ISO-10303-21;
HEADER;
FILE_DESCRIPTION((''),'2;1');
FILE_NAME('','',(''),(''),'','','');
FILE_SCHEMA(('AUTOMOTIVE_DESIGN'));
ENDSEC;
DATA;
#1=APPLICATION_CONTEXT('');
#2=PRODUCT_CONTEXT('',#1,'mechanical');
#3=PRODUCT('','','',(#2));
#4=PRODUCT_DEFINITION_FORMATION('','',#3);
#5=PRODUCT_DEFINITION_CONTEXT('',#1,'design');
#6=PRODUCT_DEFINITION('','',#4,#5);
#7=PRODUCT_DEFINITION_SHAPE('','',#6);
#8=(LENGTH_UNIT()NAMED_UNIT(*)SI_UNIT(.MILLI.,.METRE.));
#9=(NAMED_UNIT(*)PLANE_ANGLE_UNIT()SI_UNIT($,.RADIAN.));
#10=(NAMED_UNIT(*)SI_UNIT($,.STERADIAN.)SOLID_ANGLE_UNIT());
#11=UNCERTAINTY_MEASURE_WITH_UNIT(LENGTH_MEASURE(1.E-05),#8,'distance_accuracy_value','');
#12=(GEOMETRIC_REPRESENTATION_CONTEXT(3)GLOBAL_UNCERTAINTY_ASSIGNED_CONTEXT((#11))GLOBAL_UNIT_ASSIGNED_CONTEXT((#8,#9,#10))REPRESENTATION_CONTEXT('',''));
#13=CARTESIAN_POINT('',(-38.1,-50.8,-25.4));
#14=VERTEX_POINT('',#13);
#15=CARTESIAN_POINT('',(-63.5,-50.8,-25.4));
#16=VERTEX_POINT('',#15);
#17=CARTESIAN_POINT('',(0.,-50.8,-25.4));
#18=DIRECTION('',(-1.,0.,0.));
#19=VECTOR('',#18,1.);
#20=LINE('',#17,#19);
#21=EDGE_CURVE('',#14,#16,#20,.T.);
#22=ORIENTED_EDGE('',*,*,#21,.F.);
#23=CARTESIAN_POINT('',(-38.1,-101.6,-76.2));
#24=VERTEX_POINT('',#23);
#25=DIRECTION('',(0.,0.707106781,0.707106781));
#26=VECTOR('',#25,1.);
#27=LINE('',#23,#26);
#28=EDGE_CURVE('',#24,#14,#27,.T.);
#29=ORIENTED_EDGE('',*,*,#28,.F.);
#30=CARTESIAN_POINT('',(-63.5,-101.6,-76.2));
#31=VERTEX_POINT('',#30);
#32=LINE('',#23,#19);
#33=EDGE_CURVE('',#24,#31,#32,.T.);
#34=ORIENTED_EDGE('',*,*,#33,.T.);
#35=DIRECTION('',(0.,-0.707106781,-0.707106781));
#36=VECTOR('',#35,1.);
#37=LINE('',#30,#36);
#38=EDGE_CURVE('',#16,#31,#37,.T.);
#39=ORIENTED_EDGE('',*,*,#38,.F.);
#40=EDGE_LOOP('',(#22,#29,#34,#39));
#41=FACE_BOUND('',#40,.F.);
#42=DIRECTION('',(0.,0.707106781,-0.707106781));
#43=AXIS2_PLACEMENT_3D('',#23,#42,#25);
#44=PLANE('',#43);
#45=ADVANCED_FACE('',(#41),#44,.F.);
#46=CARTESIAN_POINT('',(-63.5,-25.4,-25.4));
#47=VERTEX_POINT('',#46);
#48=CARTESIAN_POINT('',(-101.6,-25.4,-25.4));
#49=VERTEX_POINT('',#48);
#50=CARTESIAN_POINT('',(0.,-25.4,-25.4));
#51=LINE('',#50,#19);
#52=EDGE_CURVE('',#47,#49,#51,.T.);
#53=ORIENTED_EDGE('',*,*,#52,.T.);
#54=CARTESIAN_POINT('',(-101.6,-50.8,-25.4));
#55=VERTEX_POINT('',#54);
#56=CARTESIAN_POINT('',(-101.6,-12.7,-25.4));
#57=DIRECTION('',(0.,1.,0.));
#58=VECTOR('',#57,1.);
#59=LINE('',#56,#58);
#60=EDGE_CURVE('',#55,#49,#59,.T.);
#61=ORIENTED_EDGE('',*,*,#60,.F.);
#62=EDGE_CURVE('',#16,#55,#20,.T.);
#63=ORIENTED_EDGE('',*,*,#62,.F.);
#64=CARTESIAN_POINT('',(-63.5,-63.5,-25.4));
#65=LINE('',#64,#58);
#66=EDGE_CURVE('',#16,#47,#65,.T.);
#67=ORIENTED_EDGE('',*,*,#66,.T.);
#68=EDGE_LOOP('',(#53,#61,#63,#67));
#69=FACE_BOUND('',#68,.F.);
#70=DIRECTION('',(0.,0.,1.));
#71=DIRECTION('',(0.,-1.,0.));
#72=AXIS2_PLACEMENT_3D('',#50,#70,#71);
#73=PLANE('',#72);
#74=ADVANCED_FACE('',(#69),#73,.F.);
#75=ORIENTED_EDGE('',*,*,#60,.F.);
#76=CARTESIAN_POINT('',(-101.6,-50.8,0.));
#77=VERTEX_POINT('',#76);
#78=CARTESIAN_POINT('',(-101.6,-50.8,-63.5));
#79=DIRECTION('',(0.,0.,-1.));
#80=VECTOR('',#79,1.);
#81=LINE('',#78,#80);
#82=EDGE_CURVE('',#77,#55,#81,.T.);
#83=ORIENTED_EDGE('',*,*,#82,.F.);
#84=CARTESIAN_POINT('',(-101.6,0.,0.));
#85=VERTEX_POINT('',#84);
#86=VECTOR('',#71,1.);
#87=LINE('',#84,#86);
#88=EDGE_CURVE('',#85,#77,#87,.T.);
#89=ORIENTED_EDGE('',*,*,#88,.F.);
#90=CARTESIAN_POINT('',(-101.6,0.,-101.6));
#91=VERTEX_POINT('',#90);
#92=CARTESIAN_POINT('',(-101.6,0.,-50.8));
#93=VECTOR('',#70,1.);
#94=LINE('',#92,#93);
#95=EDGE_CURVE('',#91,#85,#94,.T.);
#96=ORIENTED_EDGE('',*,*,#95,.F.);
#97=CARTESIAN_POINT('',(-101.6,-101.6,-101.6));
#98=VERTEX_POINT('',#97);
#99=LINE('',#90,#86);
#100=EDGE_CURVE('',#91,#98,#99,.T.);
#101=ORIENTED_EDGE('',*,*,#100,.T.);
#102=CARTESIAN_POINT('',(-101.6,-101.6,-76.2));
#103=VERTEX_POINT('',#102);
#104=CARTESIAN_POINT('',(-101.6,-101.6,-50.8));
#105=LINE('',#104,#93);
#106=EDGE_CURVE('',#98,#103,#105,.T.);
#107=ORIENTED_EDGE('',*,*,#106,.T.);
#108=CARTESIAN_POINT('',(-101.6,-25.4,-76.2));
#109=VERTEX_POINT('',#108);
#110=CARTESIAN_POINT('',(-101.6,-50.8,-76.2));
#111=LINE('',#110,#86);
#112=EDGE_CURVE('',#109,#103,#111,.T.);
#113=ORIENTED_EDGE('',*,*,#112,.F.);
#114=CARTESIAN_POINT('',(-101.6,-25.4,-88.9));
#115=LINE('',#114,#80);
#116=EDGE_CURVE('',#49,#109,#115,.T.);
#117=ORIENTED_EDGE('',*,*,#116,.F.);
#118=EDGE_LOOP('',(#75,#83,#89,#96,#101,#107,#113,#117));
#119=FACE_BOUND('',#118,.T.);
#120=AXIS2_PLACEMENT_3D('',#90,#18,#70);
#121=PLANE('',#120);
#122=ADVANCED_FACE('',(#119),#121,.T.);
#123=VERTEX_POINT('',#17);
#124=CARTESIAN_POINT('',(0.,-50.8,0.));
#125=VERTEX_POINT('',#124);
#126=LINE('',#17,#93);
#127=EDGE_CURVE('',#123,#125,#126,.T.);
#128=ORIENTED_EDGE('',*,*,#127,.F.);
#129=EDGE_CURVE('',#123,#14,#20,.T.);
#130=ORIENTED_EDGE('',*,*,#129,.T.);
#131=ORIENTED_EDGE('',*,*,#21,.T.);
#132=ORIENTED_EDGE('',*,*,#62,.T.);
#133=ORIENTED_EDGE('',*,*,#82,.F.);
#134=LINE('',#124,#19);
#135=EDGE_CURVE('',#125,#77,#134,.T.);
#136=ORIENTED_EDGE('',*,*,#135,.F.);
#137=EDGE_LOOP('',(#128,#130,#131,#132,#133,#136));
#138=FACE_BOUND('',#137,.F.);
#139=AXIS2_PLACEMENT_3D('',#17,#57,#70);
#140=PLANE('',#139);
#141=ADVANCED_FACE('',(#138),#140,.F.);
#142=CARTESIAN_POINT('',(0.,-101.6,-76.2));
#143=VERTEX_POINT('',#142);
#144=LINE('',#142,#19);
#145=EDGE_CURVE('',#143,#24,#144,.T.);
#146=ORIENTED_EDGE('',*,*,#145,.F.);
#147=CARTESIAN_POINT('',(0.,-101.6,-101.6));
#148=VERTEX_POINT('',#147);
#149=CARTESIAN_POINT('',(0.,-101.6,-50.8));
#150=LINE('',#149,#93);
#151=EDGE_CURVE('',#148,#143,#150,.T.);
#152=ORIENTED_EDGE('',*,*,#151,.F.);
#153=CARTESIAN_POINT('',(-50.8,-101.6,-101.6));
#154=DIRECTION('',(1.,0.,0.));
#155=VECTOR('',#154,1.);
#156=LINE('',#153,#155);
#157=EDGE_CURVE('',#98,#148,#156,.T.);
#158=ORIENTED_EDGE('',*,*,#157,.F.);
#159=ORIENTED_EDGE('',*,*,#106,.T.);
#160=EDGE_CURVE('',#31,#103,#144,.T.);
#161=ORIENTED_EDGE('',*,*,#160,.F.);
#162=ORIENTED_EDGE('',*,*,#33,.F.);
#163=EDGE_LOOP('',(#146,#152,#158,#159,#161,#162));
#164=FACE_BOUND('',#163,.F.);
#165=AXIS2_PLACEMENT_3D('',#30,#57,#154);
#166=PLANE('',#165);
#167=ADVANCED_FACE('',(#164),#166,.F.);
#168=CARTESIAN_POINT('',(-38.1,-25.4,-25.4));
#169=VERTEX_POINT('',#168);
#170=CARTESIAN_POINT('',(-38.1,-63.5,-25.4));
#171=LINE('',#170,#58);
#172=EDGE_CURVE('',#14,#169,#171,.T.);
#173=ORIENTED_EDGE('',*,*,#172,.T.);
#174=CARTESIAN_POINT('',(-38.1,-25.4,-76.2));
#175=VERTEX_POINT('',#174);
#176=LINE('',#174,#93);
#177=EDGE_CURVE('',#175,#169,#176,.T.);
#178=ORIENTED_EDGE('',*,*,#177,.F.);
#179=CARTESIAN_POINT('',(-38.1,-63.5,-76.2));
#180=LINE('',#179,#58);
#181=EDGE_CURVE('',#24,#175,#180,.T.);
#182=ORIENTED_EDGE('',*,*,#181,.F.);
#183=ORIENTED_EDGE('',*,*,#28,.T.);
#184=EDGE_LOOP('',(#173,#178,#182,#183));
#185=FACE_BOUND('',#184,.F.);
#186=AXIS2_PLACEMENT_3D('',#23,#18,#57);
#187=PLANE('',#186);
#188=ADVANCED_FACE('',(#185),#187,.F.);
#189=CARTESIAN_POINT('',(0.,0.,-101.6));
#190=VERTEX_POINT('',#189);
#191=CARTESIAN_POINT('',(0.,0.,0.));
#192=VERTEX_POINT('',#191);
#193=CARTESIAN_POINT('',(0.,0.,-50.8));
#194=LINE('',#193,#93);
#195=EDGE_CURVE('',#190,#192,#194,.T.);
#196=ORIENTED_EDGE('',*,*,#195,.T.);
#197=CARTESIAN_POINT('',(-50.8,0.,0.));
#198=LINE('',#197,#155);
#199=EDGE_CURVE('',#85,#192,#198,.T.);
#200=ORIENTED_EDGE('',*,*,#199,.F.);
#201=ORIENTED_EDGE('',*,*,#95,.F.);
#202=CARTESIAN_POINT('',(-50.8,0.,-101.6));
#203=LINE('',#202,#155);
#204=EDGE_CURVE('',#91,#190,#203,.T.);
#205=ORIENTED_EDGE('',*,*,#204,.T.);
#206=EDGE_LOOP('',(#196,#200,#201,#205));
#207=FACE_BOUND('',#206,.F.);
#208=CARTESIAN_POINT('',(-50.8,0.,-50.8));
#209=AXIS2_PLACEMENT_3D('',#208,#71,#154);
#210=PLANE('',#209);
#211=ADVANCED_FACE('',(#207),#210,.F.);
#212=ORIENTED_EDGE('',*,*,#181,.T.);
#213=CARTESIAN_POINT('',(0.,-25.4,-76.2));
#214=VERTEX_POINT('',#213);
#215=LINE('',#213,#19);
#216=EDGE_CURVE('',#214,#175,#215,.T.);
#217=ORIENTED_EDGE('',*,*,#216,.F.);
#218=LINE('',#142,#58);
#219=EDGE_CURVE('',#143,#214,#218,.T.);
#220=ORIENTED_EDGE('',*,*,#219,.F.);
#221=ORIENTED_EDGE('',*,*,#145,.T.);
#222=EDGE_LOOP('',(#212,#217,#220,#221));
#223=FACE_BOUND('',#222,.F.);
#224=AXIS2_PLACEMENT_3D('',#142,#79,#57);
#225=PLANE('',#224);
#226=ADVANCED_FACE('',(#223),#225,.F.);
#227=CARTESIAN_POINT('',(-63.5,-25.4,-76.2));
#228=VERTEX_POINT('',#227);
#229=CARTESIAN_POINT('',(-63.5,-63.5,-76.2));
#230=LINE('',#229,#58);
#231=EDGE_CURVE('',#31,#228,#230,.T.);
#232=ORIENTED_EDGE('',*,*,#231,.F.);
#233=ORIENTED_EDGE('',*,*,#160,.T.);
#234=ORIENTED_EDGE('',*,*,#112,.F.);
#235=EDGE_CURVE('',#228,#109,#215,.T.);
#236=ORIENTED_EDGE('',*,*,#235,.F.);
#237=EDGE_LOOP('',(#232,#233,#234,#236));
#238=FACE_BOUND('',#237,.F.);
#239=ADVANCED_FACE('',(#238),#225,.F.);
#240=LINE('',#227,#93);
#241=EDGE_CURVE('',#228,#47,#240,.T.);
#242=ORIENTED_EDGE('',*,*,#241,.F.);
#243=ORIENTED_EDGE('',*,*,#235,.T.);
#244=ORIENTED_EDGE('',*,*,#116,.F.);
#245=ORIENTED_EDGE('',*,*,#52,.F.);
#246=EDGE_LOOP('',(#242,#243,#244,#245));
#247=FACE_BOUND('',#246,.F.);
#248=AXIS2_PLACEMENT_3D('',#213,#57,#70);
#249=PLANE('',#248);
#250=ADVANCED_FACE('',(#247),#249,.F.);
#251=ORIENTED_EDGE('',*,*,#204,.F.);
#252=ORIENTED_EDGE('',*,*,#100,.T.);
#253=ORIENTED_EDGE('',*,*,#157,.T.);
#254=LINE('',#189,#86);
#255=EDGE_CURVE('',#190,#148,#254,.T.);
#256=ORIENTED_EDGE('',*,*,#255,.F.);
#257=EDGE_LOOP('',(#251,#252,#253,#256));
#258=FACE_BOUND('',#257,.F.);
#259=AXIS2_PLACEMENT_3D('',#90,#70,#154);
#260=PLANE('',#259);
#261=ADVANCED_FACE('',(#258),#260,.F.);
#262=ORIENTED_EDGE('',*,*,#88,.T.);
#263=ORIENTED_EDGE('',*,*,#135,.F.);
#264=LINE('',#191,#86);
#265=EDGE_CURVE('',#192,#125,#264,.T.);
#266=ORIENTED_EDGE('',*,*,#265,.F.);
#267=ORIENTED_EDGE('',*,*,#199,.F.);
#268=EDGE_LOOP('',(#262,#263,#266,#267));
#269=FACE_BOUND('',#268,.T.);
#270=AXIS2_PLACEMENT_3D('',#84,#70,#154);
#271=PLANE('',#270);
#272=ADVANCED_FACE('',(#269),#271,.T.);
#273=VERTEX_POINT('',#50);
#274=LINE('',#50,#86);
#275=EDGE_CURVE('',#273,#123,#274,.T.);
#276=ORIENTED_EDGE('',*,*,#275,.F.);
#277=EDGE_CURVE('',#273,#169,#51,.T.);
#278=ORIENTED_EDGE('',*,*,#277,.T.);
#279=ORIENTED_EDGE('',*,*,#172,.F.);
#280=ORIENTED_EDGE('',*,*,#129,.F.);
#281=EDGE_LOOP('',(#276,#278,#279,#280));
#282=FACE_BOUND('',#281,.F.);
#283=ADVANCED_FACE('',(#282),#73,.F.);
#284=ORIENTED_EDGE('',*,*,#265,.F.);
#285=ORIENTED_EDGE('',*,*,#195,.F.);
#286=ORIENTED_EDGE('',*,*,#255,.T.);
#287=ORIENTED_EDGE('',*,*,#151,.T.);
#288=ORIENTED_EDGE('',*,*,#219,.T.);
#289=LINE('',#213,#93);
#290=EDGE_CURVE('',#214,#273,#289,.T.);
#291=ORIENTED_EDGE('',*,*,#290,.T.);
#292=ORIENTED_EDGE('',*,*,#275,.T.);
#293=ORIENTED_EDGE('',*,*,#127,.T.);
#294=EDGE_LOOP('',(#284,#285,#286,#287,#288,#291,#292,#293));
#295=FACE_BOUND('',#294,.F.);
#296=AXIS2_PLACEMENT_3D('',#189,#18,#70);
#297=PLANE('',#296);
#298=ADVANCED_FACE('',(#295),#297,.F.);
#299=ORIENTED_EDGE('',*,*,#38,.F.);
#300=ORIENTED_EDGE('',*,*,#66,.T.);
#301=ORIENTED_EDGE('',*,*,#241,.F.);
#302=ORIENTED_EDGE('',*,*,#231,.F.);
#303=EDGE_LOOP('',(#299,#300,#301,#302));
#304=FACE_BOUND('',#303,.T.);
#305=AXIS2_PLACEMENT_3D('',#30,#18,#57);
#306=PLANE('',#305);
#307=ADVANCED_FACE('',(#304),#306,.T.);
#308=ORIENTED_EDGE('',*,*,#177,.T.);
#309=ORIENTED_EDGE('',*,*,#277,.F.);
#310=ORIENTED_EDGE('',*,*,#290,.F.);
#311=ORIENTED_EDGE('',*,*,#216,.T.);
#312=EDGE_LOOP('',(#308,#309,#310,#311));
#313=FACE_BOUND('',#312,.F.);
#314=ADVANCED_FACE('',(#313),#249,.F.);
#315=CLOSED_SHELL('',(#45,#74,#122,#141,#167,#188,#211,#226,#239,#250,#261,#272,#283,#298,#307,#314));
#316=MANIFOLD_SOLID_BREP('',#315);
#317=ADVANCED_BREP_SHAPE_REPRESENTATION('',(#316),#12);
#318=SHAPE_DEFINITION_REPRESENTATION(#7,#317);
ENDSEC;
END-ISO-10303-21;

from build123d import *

# Parameters (mm, degrees)
F0_W     = 101.6
F0_H     = 101.6
F1_DEPTH = 101.6
F3_DEPTH = 121.666
F4_W     = 25.4
F4_H     = 76.2
F5_DEPTH = 50.8
F7_DEPTH = 99.568


with BuildPart() as f1:
    # F0 (on Front) → F1 (new body)
    with BuildSketch(Plane.XZ):
        with Locations((-50.8, -50.8)):
            Rectangle(F0_W, F0_H)
    extrude(amount=F1_DEPTH)

    # F2 (on face) → F3 (cut)
    with BuildSketch(Plane.YZ):
        Polygon((-50.8, -25.4), (-50.8, 0), (-101.6, 0), (-101.6, -76.2), (-25.4, -76.2), (-25.4, -25.4), align=None)
    extrude(amount=-F3_DEPTH, mode=Mode.SUBTRACT)

    # F4 (on face) → F5 (join)
    with BuildSketch(Plane.XY.offset(-76.2)):
        with Locations((-50.8, -63.5)):
            Rectangle(F4_W, F4_H)
    extrude(amount=F5_DEPTH)

    # F6 (on face) → F7 (cut)
    with BuildSketch(Plane.YZ.offset(-38.1)):
        Polygon((-101.6, -76.2), (-50.8, -25.4), (-92.064753, -25.4), (-101.6, -25.4), align=None)
    extrude(amount=-F7_DEPTH, mode=Mode.SUBTRACT)


solid = f1.part
